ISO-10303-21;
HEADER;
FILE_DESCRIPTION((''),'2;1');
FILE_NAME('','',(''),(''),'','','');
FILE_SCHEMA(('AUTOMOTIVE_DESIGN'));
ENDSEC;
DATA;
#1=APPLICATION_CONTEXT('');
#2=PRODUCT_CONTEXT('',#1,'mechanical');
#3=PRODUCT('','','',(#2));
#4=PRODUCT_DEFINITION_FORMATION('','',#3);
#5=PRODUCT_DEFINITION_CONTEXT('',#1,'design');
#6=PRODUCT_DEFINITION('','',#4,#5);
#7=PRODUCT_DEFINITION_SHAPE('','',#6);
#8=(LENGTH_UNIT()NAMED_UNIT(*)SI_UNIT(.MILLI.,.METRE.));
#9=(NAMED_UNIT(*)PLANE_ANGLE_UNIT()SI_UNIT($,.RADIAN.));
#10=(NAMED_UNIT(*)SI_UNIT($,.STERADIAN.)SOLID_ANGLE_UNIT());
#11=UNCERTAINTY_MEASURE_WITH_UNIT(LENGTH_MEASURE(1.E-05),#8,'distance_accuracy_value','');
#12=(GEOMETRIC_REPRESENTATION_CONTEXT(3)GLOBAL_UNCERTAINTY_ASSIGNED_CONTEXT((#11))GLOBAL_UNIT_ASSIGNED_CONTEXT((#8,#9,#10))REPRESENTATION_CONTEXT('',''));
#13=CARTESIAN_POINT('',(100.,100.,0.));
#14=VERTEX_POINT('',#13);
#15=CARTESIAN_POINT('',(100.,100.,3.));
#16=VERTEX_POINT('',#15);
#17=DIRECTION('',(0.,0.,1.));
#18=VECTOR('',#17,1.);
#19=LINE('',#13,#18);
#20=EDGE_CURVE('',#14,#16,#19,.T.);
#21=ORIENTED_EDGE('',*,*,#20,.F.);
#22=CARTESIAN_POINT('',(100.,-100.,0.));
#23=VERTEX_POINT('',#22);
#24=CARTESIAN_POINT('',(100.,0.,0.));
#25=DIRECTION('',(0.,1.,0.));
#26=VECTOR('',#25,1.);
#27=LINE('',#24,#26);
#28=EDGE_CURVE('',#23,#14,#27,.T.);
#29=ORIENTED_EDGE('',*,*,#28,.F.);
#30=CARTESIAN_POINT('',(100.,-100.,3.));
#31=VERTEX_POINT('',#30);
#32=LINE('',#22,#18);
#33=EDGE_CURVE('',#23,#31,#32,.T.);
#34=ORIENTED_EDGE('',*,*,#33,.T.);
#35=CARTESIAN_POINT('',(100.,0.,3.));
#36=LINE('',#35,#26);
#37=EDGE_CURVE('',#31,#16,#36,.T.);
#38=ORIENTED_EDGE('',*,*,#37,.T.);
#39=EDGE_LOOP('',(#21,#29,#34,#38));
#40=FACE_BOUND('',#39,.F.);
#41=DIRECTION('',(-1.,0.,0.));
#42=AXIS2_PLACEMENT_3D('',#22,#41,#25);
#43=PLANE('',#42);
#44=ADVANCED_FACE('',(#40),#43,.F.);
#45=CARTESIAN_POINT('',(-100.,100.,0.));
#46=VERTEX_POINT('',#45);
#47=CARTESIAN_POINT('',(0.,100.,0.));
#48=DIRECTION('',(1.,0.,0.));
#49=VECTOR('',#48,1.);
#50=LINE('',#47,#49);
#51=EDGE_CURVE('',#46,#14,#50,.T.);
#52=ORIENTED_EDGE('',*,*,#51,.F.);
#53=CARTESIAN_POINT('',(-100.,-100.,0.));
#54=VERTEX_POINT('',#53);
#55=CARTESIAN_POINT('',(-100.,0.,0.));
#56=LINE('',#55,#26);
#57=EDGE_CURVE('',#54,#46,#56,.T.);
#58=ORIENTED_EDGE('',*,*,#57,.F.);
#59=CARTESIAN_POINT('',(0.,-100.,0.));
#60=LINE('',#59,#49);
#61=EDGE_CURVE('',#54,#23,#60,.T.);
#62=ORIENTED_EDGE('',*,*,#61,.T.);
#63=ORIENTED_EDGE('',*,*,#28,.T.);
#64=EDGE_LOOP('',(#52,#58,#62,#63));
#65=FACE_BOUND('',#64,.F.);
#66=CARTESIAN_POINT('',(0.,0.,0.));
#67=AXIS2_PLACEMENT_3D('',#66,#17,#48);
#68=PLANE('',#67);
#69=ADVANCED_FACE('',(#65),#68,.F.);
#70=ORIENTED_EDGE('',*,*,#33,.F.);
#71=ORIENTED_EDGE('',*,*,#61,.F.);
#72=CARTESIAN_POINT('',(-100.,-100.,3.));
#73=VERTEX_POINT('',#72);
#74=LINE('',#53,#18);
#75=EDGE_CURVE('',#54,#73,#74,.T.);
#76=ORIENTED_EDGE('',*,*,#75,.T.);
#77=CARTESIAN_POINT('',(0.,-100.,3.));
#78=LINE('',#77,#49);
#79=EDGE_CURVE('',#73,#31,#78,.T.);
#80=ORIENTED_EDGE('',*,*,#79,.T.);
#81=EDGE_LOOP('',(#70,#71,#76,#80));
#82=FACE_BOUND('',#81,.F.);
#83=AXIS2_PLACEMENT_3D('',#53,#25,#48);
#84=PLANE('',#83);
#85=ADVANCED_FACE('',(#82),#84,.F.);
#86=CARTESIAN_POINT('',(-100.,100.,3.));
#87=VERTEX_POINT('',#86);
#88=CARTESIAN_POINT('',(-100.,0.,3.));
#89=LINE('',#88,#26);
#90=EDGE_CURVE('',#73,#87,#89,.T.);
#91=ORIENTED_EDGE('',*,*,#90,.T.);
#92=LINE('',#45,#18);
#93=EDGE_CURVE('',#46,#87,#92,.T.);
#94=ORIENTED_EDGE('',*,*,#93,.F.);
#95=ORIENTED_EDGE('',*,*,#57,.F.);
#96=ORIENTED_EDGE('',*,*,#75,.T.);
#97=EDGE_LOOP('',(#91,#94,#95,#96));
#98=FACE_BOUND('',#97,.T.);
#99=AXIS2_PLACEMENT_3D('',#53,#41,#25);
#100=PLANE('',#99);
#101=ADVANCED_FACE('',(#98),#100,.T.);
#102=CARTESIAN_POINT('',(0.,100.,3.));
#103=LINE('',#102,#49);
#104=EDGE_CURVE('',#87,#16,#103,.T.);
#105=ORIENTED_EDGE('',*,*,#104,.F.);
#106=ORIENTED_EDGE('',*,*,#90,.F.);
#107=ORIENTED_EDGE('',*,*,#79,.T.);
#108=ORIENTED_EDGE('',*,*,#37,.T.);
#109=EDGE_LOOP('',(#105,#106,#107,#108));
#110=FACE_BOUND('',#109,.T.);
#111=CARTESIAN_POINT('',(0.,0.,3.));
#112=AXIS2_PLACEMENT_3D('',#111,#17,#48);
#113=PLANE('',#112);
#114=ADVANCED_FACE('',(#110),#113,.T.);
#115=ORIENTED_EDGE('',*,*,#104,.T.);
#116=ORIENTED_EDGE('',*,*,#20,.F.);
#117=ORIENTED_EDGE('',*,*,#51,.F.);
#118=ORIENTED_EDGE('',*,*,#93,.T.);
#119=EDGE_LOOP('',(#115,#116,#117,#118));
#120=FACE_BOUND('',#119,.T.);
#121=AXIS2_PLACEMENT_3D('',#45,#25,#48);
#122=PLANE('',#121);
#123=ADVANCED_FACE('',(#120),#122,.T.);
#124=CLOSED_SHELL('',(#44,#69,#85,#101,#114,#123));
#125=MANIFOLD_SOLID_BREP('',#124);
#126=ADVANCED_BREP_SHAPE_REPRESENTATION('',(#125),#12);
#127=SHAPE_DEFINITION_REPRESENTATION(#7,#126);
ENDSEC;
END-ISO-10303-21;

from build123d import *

# Parameters (mm, degrees)
SKETCH_W  = 200
SKETCH_H  = 200
PAD_DEPTH = 3


with BuildPart() as part:
    # Sketch → Pad (new body)
    with BuildSketch(Plane.XY):
        Rectangle(SKETCH_W, SKETCH_H)
    extrude(amount=PAD_DEPTH)


solid = part.part
